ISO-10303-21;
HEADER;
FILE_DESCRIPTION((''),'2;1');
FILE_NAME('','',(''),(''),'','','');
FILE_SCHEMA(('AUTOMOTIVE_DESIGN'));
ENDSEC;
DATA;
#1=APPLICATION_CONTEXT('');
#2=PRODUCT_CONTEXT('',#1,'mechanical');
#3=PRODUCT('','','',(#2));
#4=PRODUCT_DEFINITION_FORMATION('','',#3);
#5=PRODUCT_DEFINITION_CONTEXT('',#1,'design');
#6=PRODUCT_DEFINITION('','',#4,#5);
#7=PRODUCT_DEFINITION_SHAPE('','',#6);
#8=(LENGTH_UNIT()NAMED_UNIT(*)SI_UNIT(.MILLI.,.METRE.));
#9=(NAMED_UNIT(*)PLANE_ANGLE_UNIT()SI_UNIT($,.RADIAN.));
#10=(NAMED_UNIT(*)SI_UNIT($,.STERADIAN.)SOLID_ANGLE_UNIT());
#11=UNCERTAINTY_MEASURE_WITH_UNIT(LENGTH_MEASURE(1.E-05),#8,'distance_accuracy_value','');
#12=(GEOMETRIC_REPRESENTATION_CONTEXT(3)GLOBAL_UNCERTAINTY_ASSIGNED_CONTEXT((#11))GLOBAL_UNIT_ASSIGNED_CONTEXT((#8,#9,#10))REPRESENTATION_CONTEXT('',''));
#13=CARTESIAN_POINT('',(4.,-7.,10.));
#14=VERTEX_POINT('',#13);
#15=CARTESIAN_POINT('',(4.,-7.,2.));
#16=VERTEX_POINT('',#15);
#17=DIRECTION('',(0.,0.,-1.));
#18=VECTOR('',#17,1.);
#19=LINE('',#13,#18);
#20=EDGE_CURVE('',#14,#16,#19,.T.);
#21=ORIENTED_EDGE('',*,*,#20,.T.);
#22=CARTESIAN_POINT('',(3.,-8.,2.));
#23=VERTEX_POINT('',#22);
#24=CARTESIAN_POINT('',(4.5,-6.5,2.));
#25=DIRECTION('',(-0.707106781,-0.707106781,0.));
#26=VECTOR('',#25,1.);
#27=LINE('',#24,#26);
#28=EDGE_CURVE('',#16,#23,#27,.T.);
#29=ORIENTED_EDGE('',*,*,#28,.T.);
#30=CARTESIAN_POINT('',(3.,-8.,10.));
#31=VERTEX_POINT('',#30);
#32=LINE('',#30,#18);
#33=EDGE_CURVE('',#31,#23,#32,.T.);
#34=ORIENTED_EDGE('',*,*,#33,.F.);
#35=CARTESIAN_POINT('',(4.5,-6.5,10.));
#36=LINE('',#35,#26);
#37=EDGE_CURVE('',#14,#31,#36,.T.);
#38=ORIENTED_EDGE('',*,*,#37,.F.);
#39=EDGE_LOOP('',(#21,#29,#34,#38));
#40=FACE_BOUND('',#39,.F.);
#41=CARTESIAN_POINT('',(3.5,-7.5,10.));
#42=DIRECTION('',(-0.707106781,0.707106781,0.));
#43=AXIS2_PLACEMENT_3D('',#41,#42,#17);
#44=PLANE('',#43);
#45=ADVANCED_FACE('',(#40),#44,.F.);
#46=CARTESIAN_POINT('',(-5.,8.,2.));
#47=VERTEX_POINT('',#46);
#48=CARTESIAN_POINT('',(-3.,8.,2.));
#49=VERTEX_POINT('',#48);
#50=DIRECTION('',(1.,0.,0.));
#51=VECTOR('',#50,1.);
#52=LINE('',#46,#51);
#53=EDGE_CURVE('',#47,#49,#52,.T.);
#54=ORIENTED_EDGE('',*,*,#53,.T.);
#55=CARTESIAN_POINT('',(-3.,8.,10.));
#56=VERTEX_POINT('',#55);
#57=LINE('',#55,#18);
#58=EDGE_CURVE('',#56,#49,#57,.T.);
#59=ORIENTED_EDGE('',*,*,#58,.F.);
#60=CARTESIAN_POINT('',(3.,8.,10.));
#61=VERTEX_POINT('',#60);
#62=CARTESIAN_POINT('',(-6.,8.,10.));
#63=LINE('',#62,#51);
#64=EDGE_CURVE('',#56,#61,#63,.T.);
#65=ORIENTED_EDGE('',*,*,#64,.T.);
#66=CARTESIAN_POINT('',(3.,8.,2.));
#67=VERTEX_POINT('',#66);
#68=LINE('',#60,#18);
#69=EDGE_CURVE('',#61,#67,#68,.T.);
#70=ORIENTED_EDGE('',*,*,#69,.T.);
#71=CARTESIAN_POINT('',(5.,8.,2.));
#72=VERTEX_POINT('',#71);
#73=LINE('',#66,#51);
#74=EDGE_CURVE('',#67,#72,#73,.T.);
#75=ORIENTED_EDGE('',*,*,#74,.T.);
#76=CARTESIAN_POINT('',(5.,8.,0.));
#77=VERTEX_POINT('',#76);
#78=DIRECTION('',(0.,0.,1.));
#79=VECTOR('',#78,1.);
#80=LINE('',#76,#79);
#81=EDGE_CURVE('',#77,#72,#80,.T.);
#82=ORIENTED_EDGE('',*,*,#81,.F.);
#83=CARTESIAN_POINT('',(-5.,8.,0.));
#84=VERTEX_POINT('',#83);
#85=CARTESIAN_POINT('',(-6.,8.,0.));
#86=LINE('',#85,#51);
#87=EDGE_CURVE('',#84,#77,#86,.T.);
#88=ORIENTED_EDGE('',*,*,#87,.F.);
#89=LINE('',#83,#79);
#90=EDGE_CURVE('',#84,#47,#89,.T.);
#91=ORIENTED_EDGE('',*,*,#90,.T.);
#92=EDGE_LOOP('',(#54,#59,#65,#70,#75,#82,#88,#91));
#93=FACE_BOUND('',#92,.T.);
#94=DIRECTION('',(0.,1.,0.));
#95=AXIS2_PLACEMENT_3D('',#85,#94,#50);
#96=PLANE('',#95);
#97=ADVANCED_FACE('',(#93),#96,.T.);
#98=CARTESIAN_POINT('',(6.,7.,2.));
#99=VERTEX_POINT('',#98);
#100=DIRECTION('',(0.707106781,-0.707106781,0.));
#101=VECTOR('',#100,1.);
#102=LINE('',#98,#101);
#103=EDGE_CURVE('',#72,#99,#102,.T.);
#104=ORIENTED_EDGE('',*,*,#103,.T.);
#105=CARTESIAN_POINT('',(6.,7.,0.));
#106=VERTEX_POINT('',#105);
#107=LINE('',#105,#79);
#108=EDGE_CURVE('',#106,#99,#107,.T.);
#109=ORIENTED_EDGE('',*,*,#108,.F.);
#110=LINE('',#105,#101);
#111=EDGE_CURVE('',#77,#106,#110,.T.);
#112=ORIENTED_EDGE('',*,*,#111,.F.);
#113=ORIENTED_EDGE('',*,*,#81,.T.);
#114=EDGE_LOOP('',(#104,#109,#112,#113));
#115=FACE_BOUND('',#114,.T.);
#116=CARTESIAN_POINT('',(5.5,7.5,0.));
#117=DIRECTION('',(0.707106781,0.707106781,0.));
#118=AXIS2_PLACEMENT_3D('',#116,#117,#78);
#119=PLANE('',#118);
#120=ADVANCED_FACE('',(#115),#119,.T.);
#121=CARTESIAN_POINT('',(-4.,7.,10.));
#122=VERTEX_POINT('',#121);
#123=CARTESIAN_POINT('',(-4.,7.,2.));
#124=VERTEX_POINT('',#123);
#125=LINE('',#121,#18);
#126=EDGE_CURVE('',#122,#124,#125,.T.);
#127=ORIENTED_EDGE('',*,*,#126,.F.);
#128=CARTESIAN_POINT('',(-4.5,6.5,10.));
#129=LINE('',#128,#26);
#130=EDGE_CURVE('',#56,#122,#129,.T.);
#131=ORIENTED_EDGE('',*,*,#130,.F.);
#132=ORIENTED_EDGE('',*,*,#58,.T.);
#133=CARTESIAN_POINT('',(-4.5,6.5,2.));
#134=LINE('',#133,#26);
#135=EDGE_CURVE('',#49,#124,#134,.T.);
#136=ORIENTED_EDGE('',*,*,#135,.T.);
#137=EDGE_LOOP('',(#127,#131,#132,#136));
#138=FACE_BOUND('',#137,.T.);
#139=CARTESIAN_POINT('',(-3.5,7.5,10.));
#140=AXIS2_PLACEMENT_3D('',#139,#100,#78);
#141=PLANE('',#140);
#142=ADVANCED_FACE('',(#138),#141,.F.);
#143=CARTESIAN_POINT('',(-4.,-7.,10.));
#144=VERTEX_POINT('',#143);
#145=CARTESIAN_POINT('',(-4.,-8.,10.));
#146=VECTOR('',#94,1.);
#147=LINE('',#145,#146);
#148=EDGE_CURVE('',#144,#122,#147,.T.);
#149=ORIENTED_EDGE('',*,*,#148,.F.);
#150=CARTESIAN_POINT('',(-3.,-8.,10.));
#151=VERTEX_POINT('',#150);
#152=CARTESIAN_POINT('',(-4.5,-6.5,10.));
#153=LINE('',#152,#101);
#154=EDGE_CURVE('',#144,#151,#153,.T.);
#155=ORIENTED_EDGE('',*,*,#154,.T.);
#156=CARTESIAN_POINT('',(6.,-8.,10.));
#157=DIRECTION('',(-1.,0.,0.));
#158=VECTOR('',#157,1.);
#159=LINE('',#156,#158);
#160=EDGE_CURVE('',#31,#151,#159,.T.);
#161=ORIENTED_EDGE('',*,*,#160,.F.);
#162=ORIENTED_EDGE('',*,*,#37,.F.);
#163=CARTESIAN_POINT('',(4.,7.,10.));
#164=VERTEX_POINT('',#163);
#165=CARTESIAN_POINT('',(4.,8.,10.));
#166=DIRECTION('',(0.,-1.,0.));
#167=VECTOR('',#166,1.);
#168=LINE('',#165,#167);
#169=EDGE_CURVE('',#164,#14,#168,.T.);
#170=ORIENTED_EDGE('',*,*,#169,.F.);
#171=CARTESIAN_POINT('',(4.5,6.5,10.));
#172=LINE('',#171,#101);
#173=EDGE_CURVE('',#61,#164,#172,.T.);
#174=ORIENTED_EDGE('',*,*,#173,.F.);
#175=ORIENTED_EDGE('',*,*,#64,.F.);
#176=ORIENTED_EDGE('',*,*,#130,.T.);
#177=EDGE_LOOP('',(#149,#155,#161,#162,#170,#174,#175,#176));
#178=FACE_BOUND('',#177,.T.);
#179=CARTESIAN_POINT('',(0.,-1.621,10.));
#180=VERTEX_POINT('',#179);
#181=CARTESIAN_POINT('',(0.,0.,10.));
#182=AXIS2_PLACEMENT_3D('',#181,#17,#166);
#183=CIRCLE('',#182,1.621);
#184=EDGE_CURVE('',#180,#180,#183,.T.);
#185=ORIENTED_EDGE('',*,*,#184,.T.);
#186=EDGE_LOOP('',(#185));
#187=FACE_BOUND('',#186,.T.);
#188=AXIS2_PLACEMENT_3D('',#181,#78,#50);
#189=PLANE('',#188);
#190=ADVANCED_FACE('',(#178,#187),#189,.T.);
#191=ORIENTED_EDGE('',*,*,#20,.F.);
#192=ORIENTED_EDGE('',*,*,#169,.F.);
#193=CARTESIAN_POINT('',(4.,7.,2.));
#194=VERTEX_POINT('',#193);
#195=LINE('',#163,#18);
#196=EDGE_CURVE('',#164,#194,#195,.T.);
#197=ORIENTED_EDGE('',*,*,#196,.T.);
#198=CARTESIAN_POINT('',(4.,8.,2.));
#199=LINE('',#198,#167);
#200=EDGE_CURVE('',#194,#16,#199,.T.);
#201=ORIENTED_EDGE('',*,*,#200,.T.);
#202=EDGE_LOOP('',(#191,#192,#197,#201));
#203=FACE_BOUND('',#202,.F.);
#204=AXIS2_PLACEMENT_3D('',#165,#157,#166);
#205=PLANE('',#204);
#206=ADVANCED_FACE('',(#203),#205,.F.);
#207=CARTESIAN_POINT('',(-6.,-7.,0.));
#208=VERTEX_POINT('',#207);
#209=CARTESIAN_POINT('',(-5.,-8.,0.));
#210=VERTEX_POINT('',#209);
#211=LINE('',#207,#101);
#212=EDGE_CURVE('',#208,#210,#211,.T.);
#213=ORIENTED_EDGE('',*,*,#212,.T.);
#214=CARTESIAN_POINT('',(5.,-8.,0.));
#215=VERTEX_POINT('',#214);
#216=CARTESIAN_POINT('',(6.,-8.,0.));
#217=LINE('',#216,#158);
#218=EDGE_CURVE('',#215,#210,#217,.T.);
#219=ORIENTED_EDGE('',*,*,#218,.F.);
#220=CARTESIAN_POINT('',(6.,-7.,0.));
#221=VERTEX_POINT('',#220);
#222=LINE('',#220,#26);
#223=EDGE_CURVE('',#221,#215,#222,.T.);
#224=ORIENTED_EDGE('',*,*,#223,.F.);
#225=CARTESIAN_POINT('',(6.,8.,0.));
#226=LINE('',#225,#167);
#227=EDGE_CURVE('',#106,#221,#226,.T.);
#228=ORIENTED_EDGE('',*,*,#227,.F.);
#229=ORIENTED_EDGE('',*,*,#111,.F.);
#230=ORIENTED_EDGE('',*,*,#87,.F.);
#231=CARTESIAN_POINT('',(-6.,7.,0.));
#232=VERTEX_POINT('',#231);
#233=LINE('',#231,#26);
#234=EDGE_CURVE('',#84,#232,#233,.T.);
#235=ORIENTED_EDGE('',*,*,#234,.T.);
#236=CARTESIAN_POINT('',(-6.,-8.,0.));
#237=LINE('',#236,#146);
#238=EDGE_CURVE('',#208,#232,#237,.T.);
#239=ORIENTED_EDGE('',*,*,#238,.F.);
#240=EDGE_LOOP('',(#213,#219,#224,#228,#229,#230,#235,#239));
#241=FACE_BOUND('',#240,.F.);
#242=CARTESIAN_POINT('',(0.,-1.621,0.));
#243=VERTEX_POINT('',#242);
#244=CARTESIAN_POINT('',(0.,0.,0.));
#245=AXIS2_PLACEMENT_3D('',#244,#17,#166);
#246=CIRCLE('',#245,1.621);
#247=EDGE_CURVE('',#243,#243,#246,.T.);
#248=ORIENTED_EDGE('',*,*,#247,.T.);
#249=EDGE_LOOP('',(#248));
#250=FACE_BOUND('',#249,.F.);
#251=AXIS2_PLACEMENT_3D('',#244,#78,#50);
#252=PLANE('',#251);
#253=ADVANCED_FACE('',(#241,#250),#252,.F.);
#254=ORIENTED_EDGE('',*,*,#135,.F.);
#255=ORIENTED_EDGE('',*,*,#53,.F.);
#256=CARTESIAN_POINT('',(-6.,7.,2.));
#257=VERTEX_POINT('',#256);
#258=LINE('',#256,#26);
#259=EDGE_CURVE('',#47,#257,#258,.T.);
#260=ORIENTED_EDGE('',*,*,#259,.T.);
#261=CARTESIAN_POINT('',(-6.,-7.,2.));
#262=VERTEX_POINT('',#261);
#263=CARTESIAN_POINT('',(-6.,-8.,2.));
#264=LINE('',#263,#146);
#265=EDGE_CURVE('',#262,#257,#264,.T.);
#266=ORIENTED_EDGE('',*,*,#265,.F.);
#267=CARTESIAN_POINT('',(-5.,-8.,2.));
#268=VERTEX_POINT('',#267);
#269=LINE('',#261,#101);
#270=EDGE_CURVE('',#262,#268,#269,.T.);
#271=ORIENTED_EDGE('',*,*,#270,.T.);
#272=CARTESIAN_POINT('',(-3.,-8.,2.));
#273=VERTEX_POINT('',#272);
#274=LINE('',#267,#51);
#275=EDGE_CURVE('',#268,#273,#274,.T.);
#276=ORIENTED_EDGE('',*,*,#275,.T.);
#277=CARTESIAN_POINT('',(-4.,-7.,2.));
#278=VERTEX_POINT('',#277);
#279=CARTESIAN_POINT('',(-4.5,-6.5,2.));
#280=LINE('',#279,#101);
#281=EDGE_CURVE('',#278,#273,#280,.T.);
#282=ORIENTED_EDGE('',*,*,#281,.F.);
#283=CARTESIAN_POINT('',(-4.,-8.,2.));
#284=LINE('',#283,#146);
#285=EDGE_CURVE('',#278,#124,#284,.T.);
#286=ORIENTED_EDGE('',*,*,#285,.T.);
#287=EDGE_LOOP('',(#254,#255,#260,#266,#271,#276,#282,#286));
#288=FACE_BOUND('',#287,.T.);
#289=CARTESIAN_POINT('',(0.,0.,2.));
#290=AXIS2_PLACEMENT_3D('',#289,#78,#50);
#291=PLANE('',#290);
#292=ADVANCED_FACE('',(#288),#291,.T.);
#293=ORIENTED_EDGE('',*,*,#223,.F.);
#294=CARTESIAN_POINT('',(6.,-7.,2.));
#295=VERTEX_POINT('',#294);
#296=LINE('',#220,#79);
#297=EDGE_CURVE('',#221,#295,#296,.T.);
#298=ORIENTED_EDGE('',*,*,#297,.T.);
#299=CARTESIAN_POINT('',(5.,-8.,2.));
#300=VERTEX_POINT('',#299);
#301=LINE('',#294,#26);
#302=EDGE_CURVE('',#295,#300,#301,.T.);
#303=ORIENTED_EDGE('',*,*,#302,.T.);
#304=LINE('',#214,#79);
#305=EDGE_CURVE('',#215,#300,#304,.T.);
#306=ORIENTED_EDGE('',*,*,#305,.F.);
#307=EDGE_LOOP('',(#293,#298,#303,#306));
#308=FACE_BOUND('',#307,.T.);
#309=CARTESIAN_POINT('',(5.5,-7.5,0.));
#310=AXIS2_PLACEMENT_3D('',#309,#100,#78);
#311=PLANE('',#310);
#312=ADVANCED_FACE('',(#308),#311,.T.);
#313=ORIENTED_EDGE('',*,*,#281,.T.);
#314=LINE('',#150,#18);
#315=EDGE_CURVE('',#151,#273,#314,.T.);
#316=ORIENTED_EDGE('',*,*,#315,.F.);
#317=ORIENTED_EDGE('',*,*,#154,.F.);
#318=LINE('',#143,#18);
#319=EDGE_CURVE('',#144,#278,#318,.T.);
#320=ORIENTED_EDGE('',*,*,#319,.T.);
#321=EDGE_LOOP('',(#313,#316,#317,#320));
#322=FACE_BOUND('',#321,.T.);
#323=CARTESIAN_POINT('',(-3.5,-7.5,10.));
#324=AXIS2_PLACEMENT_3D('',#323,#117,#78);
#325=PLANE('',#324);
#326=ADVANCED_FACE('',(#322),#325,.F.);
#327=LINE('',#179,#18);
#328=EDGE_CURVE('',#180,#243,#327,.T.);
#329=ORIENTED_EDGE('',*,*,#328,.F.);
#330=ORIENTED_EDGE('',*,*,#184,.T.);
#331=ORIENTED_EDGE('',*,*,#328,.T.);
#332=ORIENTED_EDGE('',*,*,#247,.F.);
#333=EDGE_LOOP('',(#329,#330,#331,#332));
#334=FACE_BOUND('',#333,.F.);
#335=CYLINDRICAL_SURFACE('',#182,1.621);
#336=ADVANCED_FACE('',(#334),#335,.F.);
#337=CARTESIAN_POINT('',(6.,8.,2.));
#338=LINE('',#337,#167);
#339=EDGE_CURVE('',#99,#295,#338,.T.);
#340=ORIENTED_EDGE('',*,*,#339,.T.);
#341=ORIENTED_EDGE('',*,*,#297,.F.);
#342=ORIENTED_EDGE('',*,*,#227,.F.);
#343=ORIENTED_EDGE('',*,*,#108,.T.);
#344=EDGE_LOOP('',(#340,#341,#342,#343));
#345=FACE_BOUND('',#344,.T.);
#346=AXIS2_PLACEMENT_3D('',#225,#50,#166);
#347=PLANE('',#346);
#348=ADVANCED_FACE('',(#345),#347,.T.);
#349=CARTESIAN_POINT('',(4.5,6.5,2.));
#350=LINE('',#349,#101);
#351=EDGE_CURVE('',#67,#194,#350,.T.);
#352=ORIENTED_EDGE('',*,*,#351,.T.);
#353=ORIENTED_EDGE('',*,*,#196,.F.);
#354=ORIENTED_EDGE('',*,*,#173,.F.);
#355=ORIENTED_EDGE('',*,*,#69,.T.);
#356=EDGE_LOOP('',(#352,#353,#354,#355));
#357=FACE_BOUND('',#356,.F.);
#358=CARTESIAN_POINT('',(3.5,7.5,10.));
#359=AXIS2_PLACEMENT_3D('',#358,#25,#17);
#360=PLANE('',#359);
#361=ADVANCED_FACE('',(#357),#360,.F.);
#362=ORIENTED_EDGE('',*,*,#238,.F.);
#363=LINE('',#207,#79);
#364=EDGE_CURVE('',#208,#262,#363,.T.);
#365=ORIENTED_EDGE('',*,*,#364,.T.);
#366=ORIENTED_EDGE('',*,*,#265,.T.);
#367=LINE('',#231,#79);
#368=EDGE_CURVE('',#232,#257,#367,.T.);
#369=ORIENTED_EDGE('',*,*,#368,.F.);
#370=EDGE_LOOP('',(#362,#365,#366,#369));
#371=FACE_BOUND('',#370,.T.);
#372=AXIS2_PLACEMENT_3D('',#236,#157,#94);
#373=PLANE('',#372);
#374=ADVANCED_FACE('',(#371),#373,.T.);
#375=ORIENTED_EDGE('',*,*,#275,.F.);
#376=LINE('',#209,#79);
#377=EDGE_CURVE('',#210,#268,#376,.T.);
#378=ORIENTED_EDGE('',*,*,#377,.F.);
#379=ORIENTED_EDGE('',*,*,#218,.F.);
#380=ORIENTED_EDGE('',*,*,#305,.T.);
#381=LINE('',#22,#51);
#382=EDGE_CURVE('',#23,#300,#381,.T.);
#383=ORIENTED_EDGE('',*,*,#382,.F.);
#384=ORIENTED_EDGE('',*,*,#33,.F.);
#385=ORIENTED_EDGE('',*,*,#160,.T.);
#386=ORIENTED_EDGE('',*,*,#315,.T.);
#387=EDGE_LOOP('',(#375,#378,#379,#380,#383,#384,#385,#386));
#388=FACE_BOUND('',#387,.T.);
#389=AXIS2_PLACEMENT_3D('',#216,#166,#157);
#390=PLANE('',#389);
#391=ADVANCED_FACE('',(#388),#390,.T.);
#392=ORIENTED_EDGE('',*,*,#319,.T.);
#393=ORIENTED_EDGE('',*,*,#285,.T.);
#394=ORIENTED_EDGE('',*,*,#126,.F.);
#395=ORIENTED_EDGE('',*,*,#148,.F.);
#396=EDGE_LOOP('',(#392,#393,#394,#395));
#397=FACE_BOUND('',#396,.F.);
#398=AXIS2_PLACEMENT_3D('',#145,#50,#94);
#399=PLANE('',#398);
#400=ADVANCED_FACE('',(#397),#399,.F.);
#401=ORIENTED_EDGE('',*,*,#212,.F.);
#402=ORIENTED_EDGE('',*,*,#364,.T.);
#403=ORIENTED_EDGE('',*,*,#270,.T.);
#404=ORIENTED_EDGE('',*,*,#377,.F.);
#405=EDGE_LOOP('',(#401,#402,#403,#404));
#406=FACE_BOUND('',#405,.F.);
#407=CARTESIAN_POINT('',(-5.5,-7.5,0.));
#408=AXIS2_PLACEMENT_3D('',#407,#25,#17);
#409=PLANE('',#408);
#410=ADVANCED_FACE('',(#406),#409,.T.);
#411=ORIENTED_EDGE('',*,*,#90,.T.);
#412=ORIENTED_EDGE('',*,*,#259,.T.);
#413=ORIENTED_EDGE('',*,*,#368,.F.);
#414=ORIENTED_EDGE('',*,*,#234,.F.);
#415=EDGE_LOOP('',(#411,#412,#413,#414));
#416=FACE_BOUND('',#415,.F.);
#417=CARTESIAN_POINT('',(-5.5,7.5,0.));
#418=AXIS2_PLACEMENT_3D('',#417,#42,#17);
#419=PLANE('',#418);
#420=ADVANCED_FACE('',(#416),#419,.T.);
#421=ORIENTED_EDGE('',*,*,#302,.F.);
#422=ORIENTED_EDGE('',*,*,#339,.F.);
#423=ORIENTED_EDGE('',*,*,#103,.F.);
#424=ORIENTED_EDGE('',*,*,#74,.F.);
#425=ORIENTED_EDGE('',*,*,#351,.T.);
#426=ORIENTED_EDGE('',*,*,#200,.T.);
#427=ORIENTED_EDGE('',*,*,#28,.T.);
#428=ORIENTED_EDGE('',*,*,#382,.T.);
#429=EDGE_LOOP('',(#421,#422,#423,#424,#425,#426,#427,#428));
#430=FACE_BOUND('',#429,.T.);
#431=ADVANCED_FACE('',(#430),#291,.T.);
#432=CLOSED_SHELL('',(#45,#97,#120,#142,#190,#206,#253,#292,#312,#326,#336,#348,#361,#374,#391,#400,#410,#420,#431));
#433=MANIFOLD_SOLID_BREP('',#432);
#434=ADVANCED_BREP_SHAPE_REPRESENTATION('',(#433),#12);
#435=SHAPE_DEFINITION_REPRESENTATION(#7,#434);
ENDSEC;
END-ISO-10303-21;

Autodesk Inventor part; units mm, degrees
ref_plane "YZ Plane" through (0, 0, 0) normal (1, 0, 0) x (0, 1, 0)
ref_plane "XZ Plane" through (0, 0, 0) normal (0, 1, 0) x (-1, 0, 0)
ref_plane "XY Plane" through (0, 0, 0) normal (0, 0, 1) x (1, 0, 0)
sketch "Esboço1" plane through (0, 0, 0) normal (0, 0, 1) x (1, 0, 0)
  line L0 (-6, 8) -> (6, 8)
  line L1 (6, 8) -> (6, -8)
  line L2 (6, -8) -> (-6, -8)
  line L3 (-6, -8) -> (-6, 8)
  line L4 (-6, 8) -> (6, -8) construction
  line L5 (6, 8) -> (-6, -8) construction
  point P0 (0, 0)
  dimension "d0" = 12
  dimension "d1" = 16
extrude "Extrusão1" add sketch "Esboço1" along normal blind 10
sketch "Esboço3" plane through (0, 0, 10) normal (0, 0, 1) x (1, 0, 0)
  line L0 (6, -8) -> (-6, -8)
  line L1 (-6, -8) -> (-6, 8)
  line L2 (-6, 8) -> (6, 8)
  line L3 (6, 8) -> (6, -8)
  line L4 (6, -8) -> (-6, 8) construction
  line L5 (-6, -8) -> (6, 8) construction
  line L6 (4, -8) -> (-4, -8)
  line L7 (-4, -8) -> (-4, 8)
  line L8 (-4, 8) -> (4, 8)
  line L9 (4, 8) -> (4, -8)
  line L10 (4, -8) -> (-4, 8) construction
  line L11 (-4, -8) -> (4, 8) construction
  point P0 (0, 0)
  dimension "d4" = 12
  dimension "d5" = 16
  dimension "d6" = 8
extrude "Extrusão2" cut sketch "Esboço3" against normal blind 8 contours L0 L9 L2 L3 | L0 L1 L2 L7
chamfer "Chanfro1" distance 1 angle 45 8 edges at (6, -8, 1) (-6, -8, 1) (6, 8, 1) (-6, 8, 1) (-4, -8, 6) (-4, 8, 6) (4, 8, 6) (4, -8, 6)
sketch "Esboço4" plane through (0, 0, 10) normal (0, 0, 1) x (1, 0, 0)
  circle A0 centre (0, 0) radius 1.5 construction
  dimension "d12" = 3
hole "Furo1" at (0, 0, 10) direction (0, 0, -1) diameter 3.242 end through all thread size "M4x0.7" class "6H" standard "ANSI Metric M Profile"
